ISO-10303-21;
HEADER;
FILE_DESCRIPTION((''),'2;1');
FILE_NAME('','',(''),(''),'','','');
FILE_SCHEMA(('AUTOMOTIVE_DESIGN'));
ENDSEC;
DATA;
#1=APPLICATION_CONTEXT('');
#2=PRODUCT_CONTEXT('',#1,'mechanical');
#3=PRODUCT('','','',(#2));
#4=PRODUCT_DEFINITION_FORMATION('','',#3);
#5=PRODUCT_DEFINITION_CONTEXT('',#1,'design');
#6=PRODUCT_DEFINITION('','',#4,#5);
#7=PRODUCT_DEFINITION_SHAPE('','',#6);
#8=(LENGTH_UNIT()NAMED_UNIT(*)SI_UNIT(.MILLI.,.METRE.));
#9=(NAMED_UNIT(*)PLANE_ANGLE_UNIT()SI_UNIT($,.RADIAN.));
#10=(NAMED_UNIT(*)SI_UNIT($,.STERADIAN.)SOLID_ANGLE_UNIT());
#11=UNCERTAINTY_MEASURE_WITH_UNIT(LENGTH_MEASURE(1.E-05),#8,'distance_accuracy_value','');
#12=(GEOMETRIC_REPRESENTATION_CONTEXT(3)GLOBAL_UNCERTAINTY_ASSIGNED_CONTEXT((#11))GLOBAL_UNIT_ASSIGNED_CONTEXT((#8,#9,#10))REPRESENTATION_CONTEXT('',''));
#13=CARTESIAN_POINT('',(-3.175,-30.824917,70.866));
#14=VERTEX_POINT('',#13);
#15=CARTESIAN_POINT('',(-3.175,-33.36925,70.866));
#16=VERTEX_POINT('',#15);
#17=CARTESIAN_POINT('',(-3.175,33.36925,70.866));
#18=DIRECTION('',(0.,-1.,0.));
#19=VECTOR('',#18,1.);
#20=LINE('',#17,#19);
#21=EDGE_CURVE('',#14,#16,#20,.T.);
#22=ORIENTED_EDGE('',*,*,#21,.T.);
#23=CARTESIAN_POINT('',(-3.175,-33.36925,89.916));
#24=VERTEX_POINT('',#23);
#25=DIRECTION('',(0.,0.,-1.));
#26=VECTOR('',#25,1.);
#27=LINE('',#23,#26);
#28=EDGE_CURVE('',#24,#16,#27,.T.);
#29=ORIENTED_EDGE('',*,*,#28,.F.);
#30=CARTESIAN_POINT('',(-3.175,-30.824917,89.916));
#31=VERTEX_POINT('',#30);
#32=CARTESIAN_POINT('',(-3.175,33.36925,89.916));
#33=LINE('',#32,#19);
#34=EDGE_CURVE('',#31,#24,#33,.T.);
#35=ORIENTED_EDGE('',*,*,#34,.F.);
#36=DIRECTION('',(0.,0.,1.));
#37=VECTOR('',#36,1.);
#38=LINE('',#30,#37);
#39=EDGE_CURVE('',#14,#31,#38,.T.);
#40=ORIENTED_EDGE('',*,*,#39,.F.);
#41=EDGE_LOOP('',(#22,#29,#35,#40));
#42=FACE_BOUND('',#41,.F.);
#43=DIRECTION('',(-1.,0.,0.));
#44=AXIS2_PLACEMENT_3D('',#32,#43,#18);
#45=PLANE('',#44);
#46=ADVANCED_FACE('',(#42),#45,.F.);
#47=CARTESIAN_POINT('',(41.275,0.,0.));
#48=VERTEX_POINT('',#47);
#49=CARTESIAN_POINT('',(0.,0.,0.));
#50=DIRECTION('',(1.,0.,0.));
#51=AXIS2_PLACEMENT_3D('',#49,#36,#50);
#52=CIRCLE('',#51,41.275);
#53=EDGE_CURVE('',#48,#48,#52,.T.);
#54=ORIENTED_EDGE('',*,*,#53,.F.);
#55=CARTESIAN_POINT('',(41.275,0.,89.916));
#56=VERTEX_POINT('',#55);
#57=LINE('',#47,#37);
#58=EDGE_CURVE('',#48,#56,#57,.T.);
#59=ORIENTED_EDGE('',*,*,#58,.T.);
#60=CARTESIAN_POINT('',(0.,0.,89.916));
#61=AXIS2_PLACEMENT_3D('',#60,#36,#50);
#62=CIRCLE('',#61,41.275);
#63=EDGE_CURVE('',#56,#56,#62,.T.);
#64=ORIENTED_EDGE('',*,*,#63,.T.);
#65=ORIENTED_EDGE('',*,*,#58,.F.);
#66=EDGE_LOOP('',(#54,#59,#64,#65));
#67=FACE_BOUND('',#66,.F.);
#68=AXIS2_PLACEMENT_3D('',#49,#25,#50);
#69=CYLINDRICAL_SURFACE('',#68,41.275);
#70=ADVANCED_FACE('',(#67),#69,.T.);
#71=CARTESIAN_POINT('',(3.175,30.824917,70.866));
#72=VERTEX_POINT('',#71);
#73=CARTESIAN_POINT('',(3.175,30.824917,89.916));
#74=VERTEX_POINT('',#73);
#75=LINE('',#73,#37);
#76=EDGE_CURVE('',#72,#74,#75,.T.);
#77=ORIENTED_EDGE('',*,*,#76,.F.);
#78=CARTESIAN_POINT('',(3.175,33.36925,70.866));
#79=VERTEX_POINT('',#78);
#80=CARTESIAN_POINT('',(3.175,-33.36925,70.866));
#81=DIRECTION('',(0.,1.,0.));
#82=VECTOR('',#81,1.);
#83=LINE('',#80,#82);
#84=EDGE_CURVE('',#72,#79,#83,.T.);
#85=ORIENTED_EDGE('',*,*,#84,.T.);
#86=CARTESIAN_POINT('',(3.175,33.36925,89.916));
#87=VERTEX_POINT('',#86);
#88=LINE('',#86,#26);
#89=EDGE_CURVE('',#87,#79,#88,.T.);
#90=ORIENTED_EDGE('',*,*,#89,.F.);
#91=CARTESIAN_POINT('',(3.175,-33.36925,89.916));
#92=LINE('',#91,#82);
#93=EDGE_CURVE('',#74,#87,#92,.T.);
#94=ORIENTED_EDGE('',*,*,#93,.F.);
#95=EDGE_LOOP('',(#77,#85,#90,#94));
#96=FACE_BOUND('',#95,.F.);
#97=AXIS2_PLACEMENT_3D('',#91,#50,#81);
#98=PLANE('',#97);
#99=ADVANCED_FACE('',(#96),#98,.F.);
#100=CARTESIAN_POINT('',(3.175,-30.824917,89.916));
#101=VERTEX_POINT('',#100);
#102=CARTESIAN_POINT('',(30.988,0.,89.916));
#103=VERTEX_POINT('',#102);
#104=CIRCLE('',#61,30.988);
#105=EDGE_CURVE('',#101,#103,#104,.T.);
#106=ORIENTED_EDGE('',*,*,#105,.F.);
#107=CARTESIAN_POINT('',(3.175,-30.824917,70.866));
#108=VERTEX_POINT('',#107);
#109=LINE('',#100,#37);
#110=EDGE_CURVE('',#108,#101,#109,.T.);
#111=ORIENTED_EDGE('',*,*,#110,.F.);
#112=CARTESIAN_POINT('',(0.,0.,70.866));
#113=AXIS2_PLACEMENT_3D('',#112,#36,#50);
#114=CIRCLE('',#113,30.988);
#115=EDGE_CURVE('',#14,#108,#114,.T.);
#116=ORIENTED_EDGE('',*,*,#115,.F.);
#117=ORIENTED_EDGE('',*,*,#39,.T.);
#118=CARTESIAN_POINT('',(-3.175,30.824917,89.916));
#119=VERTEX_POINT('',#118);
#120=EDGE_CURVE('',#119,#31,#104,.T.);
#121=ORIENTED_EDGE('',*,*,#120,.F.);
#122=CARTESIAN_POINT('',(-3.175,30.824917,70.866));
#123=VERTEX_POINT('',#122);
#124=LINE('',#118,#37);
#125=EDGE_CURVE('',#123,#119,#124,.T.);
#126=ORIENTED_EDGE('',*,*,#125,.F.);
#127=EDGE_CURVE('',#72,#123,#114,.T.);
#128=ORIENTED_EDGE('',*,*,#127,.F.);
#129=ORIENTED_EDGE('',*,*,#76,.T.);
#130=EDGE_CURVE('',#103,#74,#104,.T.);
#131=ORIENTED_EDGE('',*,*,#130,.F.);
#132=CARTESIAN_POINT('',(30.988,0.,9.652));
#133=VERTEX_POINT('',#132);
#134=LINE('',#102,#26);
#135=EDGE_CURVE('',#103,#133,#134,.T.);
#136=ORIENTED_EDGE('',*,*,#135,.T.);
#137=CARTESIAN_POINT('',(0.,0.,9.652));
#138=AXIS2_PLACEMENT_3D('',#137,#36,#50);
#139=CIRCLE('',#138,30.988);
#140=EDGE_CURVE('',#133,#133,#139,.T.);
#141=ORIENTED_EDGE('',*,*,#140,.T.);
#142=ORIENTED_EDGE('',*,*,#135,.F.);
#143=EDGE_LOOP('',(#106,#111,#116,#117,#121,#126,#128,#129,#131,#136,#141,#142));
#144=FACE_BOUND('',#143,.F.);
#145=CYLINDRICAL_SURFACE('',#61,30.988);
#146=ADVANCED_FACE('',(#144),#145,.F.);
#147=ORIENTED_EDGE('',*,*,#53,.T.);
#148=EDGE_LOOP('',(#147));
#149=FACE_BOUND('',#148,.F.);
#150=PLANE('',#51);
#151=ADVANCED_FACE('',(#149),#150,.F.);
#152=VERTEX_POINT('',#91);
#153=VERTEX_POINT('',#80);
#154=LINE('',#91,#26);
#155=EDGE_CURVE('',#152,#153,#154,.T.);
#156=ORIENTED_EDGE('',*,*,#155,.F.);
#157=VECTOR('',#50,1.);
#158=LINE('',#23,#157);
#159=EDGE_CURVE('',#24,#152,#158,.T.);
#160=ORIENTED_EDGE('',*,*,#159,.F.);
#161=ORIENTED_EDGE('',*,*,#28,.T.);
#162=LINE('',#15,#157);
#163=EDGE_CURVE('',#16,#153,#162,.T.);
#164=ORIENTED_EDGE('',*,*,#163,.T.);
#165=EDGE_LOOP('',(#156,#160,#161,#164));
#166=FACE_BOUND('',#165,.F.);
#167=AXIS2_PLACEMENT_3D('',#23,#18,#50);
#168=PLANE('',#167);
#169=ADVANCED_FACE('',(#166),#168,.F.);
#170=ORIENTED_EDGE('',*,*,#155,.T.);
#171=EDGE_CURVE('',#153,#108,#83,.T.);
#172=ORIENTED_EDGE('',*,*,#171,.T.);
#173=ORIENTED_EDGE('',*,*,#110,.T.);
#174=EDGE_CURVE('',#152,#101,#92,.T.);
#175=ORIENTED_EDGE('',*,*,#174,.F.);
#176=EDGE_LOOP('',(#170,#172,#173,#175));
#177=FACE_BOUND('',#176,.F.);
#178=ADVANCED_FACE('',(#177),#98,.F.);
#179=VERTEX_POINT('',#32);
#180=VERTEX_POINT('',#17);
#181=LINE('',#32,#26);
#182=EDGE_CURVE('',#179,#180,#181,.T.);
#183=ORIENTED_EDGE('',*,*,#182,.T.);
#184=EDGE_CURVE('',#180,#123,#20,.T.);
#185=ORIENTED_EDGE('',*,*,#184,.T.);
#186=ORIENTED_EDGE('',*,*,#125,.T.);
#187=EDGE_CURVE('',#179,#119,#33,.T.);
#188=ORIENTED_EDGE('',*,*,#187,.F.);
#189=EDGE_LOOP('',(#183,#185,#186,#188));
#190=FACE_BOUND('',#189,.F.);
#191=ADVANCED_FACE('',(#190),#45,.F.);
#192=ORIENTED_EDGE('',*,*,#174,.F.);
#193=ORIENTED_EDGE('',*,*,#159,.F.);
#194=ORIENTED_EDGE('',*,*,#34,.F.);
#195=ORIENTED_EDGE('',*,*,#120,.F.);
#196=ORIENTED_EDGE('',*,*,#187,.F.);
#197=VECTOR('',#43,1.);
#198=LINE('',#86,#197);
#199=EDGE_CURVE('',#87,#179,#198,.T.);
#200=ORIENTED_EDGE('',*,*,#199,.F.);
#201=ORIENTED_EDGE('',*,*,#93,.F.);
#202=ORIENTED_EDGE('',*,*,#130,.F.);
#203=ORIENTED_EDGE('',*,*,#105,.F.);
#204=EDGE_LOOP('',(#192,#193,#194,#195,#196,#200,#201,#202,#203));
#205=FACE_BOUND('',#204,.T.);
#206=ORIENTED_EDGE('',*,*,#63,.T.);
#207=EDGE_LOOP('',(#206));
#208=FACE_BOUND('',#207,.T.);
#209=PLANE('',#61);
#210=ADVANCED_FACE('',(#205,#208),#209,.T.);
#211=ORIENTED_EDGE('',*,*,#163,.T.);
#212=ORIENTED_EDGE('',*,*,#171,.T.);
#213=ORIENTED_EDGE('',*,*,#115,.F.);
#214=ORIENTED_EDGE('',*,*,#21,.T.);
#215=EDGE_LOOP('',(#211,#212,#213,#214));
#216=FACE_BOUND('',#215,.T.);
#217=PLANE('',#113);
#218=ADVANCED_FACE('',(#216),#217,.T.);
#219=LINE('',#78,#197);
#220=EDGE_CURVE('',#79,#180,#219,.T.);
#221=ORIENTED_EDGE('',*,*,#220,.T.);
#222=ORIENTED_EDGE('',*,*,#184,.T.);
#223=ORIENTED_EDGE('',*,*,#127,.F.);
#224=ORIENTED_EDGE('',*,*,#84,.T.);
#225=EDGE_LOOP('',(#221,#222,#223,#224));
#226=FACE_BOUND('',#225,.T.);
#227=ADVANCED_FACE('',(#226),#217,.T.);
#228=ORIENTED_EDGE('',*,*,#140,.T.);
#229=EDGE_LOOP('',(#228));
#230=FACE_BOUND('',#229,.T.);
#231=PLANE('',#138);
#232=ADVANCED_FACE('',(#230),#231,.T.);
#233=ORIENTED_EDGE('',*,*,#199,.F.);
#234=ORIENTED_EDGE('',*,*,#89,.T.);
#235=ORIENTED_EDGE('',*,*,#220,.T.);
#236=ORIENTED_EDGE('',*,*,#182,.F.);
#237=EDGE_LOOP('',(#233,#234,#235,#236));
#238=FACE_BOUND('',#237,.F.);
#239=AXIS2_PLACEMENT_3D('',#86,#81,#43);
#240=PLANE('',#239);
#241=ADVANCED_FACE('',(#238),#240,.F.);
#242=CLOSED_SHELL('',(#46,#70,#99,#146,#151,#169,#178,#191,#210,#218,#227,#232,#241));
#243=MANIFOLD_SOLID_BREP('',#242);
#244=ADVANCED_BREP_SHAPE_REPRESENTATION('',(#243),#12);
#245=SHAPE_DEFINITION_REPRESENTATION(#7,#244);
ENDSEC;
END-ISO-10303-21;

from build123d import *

# Parameters (mm, degrees)
F0_R     = 41.275
F1_DEPTH = 89.916
F2_R     = 30.988
F3_DEPTH = 80.264
F5_DEPTH = 19.05


with BuildPart() as f1:
    # F0 (on Top) → F1 (new body)
    with BuildSketch(Plane.XY):
        Circle(F0_R)
    extrude(amount=F1_DEPTH)

    # F2 (on face) → F3 (cut)
    with BuildSketch(Plane.XY.offset(89.916)):
        Circle(F2_R)
    extrude(amount=-F3_DEPTH, mode=Mode.SUBTRACT)

    # F4 (on face) → F5 (cut)
    with BuildSketch(Plane.XY.offset(89.916)):
        Polygon((3.175, 33.36925), (0, 33.36925), (-3.175, 33.36925), (-3.175, 0), (-3.175, -33.36925), (0, -33.36925), (3.175, -33.36925), (3.175, 0), align=None)
    extrude(amount=-F5_DEPTH, mode=Mode.SUBTRACT)


solid = f1.part
